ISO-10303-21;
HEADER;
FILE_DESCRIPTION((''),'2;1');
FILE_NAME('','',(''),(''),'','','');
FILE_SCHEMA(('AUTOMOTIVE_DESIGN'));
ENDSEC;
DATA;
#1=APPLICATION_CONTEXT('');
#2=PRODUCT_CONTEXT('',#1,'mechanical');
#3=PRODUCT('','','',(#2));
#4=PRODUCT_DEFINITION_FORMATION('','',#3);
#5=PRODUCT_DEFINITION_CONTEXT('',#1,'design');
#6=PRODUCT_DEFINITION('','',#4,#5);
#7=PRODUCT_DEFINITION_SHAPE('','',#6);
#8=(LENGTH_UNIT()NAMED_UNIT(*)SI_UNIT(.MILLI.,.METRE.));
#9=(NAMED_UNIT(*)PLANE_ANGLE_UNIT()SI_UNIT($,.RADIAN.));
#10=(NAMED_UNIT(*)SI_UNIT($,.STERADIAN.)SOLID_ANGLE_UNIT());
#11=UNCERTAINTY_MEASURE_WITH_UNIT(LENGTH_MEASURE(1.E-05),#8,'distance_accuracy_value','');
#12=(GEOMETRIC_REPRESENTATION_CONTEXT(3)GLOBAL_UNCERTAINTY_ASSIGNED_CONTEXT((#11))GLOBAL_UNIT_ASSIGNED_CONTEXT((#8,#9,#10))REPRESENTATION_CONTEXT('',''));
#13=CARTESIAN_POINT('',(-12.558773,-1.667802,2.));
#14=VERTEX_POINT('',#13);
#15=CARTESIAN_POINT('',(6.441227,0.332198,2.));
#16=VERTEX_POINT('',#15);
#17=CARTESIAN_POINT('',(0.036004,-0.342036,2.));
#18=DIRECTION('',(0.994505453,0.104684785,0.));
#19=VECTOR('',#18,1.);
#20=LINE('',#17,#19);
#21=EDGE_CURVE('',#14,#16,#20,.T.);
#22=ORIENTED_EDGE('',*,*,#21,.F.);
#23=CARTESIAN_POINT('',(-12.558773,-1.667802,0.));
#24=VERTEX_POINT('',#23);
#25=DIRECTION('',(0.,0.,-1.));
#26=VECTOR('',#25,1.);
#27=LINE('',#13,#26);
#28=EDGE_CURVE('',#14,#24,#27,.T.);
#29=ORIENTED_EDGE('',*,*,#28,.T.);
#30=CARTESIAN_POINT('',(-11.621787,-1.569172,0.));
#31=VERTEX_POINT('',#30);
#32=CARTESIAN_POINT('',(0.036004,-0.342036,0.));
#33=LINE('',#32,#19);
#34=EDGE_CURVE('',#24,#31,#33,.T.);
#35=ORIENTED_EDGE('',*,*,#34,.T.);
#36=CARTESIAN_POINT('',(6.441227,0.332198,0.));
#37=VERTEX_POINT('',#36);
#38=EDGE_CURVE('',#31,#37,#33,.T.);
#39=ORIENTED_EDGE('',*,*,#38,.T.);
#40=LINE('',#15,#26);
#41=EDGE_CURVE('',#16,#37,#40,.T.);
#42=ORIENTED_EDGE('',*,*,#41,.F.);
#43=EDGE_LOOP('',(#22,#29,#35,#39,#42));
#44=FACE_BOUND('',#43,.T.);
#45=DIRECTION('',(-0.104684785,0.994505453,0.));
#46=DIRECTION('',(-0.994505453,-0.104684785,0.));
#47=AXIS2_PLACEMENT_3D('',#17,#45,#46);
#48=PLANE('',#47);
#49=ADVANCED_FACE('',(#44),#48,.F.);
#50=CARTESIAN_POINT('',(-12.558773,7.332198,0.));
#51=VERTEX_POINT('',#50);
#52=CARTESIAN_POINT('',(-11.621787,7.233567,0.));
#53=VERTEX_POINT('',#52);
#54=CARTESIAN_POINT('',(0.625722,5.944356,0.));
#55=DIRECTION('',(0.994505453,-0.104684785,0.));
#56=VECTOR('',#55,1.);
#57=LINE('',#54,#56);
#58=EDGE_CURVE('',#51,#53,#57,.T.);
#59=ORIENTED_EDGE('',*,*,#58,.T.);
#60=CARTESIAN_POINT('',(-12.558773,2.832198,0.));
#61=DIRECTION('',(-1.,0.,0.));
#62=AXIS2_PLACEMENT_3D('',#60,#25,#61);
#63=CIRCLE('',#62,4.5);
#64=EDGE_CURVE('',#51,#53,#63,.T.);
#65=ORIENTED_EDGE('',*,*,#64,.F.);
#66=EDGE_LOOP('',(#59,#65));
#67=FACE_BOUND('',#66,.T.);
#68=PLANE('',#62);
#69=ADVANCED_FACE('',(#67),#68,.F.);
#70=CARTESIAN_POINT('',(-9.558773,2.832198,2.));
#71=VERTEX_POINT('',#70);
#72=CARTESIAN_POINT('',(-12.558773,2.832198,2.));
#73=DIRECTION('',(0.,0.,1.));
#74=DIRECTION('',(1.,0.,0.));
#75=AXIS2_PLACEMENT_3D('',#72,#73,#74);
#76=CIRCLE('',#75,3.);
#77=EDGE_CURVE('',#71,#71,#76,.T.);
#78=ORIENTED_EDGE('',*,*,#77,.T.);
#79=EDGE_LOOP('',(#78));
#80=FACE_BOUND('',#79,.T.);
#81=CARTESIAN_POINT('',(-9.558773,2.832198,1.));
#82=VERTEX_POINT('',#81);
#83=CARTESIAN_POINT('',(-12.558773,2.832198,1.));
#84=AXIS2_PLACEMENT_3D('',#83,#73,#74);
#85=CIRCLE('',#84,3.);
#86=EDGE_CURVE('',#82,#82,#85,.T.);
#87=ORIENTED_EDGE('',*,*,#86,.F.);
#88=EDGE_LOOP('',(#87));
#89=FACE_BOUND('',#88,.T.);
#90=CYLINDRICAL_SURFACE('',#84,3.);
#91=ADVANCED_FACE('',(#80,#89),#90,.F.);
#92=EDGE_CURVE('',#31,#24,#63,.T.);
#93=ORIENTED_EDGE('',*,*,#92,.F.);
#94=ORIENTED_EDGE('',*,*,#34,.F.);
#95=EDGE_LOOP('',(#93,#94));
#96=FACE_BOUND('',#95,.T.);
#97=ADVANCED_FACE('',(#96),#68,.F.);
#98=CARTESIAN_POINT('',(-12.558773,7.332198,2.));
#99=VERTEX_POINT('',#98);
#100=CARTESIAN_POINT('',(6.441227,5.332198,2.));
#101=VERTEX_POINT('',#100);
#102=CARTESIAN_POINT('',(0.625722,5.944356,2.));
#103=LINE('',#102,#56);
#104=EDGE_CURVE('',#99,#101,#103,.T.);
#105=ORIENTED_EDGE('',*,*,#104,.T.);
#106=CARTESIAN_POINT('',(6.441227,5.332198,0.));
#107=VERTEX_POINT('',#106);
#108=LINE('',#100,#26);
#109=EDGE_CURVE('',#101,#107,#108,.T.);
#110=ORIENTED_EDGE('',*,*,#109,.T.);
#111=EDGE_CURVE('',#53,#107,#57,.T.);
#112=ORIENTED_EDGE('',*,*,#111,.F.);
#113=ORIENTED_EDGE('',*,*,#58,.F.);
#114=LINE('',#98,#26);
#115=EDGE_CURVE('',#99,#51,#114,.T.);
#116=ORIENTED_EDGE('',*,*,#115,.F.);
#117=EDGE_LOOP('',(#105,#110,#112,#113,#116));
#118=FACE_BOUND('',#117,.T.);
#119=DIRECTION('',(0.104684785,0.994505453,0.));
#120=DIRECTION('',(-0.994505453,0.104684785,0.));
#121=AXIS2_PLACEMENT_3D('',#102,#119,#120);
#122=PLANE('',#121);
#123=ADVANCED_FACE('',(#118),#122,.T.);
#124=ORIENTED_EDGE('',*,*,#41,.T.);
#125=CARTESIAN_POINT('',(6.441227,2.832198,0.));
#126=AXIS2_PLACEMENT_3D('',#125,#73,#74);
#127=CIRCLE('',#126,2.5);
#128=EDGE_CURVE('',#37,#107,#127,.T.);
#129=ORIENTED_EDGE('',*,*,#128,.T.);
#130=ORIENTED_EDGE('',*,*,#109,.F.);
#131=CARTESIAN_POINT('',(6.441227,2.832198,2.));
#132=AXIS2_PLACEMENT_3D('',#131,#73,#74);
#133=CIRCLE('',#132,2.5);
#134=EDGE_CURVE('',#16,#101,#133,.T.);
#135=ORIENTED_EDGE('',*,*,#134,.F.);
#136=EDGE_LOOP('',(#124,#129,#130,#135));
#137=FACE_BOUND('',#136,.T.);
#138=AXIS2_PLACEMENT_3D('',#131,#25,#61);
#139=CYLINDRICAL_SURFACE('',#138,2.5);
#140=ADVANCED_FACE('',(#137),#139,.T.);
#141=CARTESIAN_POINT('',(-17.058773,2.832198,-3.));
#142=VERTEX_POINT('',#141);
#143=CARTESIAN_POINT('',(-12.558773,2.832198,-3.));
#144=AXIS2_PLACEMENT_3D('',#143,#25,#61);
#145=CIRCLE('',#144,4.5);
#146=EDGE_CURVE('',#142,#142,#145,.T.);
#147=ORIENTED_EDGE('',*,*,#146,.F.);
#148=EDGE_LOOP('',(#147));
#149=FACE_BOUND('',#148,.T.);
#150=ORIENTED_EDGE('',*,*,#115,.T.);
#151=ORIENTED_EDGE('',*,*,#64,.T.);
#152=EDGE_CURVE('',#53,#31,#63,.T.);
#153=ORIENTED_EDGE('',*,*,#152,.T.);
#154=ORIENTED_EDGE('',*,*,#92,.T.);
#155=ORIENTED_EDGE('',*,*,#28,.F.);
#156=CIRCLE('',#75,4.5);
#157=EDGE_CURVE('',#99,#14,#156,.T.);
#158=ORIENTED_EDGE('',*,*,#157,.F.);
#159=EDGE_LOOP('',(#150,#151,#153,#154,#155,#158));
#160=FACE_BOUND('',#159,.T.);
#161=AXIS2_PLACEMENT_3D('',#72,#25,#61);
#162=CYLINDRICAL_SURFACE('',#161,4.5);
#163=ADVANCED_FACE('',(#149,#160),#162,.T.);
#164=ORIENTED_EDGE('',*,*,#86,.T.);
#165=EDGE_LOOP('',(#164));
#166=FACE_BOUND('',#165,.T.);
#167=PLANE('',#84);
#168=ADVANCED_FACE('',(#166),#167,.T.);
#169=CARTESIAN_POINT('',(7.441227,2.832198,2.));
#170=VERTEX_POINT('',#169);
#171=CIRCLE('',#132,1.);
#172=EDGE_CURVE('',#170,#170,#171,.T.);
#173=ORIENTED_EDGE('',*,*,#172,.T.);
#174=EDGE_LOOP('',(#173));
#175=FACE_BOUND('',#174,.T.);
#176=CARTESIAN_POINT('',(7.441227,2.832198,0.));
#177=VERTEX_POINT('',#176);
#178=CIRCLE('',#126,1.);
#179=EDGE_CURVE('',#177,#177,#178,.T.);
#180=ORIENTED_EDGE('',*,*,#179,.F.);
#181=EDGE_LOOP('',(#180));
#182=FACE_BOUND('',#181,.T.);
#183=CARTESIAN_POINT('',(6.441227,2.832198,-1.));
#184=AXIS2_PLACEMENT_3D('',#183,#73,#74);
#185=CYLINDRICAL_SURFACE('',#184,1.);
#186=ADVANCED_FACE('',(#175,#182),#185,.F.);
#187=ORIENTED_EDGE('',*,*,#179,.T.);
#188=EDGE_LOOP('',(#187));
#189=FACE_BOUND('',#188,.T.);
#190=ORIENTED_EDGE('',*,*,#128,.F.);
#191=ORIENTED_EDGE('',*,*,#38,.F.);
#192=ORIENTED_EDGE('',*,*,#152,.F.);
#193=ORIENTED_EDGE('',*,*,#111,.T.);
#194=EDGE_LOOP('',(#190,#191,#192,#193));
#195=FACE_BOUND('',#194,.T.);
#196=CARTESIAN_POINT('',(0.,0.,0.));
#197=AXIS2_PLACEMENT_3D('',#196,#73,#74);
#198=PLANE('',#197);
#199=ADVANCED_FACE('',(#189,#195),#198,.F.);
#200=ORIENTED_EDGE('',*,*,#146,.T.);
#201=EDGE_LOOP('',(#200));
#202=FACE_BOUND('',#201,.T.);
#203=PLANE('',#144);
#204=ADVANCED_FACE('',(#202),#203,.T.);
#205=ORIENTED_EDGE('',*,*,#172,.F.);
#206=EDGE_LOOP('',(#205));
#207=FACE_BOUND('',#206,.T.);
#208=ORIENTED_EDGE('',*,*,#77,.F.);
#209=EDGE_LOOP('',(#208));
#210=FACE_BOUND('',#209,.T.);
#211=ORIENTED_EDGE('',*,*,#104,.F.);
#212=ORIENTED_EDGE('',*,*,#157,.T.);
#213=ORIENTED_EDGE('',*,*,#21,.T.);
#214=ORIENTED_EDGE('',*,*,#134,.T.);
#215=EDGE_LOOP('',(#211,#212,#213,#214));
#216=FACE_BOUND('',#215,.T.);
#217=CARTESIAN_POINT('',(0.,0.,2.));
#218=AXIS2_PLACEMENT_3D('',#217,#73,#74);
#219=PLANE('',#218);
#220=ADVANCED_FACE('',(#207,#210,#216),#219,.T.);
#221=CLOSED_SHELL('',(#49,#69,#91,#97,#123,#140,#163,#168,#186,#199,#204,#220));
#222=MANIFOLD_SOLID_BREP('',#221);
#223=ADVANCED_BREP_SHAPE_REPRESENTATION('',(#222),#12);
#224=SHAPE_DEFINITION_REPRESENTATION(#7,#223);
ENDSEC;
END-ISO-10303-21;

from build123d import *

# Parameters (mm, degrees)
BOSS_EXTRUDE1_DEPTH = 2
SKETCH3_R           = 1
CUT_EXTRUDE1_DEPTH  = 3
BOSS_EXTRUDE3_START = 3
SKETCH4_R           = 4.5
BOSS_EXTRUDE3_DEPTH = 3
SKETCH5_R           = 3
CUT_EXTRUDE2_DEPTH  = 1


with BuildPart() as part:
    # Sketch1 → Boss-Extrude1 (new body)
    with BuildSketch(Plane.XY):
        with BuildLine():
            Line((6.441226576, 5.332197615), (-12.558773424, 7.332197615))
            ThreePointArc((-12.558773424, 7.332197615), (-17.058773424, 2.832197615), (-12.558773424, -1.667802385))
            Line((-12.558773424, -1.667802385), (6.441226576, 0.332197615))
            ThreePointArc((6.441226576, 0.332197615), (8.941226576, 2.832197615), (6.441226576, 5.332197615))
        make_face()
    extrude(amount=BOSS_EXTRUDE1_DEPTH)

    # Sketch3 → Cut-Extrude1 (cut)
    with BuildSketch(Plane.XY.offset(2)):
        with Locations((6.441226576, 2.832197615)):
            Circle(SKETCH3_R)
    extrude(amount=-CUT_EXTRUDE1_DEPTH, mode=Mode.SUBTRACT)

    # Sketch4 → Boss-Extrude3 (add)
    with BuildSketch(Plane(origin=(0, 0, 0), x_dir=(-1, 0, 0), z_dir=(0, 0, -1)).offset(BOSS_EXTRUDE3_START)):
        with Locations((12.558773424, 2.832197615)):
            Circle(SKETCH4_R)
    extrude(amount=-BOSS_EXTRUDE3_DEPTH)

    # Sketch5 → Cut-Extrude2 (cut)
    with BuildSketch(Plane.XY.offset(2)):
        with Locations((-12.558773424, 2.832197615)):
            Circle(SKETCH5_R)
    extrude(amount=-CUT_EXTRUDE2_DEPTH, mode=Mode.SUBTRACT)


solid = part.part
